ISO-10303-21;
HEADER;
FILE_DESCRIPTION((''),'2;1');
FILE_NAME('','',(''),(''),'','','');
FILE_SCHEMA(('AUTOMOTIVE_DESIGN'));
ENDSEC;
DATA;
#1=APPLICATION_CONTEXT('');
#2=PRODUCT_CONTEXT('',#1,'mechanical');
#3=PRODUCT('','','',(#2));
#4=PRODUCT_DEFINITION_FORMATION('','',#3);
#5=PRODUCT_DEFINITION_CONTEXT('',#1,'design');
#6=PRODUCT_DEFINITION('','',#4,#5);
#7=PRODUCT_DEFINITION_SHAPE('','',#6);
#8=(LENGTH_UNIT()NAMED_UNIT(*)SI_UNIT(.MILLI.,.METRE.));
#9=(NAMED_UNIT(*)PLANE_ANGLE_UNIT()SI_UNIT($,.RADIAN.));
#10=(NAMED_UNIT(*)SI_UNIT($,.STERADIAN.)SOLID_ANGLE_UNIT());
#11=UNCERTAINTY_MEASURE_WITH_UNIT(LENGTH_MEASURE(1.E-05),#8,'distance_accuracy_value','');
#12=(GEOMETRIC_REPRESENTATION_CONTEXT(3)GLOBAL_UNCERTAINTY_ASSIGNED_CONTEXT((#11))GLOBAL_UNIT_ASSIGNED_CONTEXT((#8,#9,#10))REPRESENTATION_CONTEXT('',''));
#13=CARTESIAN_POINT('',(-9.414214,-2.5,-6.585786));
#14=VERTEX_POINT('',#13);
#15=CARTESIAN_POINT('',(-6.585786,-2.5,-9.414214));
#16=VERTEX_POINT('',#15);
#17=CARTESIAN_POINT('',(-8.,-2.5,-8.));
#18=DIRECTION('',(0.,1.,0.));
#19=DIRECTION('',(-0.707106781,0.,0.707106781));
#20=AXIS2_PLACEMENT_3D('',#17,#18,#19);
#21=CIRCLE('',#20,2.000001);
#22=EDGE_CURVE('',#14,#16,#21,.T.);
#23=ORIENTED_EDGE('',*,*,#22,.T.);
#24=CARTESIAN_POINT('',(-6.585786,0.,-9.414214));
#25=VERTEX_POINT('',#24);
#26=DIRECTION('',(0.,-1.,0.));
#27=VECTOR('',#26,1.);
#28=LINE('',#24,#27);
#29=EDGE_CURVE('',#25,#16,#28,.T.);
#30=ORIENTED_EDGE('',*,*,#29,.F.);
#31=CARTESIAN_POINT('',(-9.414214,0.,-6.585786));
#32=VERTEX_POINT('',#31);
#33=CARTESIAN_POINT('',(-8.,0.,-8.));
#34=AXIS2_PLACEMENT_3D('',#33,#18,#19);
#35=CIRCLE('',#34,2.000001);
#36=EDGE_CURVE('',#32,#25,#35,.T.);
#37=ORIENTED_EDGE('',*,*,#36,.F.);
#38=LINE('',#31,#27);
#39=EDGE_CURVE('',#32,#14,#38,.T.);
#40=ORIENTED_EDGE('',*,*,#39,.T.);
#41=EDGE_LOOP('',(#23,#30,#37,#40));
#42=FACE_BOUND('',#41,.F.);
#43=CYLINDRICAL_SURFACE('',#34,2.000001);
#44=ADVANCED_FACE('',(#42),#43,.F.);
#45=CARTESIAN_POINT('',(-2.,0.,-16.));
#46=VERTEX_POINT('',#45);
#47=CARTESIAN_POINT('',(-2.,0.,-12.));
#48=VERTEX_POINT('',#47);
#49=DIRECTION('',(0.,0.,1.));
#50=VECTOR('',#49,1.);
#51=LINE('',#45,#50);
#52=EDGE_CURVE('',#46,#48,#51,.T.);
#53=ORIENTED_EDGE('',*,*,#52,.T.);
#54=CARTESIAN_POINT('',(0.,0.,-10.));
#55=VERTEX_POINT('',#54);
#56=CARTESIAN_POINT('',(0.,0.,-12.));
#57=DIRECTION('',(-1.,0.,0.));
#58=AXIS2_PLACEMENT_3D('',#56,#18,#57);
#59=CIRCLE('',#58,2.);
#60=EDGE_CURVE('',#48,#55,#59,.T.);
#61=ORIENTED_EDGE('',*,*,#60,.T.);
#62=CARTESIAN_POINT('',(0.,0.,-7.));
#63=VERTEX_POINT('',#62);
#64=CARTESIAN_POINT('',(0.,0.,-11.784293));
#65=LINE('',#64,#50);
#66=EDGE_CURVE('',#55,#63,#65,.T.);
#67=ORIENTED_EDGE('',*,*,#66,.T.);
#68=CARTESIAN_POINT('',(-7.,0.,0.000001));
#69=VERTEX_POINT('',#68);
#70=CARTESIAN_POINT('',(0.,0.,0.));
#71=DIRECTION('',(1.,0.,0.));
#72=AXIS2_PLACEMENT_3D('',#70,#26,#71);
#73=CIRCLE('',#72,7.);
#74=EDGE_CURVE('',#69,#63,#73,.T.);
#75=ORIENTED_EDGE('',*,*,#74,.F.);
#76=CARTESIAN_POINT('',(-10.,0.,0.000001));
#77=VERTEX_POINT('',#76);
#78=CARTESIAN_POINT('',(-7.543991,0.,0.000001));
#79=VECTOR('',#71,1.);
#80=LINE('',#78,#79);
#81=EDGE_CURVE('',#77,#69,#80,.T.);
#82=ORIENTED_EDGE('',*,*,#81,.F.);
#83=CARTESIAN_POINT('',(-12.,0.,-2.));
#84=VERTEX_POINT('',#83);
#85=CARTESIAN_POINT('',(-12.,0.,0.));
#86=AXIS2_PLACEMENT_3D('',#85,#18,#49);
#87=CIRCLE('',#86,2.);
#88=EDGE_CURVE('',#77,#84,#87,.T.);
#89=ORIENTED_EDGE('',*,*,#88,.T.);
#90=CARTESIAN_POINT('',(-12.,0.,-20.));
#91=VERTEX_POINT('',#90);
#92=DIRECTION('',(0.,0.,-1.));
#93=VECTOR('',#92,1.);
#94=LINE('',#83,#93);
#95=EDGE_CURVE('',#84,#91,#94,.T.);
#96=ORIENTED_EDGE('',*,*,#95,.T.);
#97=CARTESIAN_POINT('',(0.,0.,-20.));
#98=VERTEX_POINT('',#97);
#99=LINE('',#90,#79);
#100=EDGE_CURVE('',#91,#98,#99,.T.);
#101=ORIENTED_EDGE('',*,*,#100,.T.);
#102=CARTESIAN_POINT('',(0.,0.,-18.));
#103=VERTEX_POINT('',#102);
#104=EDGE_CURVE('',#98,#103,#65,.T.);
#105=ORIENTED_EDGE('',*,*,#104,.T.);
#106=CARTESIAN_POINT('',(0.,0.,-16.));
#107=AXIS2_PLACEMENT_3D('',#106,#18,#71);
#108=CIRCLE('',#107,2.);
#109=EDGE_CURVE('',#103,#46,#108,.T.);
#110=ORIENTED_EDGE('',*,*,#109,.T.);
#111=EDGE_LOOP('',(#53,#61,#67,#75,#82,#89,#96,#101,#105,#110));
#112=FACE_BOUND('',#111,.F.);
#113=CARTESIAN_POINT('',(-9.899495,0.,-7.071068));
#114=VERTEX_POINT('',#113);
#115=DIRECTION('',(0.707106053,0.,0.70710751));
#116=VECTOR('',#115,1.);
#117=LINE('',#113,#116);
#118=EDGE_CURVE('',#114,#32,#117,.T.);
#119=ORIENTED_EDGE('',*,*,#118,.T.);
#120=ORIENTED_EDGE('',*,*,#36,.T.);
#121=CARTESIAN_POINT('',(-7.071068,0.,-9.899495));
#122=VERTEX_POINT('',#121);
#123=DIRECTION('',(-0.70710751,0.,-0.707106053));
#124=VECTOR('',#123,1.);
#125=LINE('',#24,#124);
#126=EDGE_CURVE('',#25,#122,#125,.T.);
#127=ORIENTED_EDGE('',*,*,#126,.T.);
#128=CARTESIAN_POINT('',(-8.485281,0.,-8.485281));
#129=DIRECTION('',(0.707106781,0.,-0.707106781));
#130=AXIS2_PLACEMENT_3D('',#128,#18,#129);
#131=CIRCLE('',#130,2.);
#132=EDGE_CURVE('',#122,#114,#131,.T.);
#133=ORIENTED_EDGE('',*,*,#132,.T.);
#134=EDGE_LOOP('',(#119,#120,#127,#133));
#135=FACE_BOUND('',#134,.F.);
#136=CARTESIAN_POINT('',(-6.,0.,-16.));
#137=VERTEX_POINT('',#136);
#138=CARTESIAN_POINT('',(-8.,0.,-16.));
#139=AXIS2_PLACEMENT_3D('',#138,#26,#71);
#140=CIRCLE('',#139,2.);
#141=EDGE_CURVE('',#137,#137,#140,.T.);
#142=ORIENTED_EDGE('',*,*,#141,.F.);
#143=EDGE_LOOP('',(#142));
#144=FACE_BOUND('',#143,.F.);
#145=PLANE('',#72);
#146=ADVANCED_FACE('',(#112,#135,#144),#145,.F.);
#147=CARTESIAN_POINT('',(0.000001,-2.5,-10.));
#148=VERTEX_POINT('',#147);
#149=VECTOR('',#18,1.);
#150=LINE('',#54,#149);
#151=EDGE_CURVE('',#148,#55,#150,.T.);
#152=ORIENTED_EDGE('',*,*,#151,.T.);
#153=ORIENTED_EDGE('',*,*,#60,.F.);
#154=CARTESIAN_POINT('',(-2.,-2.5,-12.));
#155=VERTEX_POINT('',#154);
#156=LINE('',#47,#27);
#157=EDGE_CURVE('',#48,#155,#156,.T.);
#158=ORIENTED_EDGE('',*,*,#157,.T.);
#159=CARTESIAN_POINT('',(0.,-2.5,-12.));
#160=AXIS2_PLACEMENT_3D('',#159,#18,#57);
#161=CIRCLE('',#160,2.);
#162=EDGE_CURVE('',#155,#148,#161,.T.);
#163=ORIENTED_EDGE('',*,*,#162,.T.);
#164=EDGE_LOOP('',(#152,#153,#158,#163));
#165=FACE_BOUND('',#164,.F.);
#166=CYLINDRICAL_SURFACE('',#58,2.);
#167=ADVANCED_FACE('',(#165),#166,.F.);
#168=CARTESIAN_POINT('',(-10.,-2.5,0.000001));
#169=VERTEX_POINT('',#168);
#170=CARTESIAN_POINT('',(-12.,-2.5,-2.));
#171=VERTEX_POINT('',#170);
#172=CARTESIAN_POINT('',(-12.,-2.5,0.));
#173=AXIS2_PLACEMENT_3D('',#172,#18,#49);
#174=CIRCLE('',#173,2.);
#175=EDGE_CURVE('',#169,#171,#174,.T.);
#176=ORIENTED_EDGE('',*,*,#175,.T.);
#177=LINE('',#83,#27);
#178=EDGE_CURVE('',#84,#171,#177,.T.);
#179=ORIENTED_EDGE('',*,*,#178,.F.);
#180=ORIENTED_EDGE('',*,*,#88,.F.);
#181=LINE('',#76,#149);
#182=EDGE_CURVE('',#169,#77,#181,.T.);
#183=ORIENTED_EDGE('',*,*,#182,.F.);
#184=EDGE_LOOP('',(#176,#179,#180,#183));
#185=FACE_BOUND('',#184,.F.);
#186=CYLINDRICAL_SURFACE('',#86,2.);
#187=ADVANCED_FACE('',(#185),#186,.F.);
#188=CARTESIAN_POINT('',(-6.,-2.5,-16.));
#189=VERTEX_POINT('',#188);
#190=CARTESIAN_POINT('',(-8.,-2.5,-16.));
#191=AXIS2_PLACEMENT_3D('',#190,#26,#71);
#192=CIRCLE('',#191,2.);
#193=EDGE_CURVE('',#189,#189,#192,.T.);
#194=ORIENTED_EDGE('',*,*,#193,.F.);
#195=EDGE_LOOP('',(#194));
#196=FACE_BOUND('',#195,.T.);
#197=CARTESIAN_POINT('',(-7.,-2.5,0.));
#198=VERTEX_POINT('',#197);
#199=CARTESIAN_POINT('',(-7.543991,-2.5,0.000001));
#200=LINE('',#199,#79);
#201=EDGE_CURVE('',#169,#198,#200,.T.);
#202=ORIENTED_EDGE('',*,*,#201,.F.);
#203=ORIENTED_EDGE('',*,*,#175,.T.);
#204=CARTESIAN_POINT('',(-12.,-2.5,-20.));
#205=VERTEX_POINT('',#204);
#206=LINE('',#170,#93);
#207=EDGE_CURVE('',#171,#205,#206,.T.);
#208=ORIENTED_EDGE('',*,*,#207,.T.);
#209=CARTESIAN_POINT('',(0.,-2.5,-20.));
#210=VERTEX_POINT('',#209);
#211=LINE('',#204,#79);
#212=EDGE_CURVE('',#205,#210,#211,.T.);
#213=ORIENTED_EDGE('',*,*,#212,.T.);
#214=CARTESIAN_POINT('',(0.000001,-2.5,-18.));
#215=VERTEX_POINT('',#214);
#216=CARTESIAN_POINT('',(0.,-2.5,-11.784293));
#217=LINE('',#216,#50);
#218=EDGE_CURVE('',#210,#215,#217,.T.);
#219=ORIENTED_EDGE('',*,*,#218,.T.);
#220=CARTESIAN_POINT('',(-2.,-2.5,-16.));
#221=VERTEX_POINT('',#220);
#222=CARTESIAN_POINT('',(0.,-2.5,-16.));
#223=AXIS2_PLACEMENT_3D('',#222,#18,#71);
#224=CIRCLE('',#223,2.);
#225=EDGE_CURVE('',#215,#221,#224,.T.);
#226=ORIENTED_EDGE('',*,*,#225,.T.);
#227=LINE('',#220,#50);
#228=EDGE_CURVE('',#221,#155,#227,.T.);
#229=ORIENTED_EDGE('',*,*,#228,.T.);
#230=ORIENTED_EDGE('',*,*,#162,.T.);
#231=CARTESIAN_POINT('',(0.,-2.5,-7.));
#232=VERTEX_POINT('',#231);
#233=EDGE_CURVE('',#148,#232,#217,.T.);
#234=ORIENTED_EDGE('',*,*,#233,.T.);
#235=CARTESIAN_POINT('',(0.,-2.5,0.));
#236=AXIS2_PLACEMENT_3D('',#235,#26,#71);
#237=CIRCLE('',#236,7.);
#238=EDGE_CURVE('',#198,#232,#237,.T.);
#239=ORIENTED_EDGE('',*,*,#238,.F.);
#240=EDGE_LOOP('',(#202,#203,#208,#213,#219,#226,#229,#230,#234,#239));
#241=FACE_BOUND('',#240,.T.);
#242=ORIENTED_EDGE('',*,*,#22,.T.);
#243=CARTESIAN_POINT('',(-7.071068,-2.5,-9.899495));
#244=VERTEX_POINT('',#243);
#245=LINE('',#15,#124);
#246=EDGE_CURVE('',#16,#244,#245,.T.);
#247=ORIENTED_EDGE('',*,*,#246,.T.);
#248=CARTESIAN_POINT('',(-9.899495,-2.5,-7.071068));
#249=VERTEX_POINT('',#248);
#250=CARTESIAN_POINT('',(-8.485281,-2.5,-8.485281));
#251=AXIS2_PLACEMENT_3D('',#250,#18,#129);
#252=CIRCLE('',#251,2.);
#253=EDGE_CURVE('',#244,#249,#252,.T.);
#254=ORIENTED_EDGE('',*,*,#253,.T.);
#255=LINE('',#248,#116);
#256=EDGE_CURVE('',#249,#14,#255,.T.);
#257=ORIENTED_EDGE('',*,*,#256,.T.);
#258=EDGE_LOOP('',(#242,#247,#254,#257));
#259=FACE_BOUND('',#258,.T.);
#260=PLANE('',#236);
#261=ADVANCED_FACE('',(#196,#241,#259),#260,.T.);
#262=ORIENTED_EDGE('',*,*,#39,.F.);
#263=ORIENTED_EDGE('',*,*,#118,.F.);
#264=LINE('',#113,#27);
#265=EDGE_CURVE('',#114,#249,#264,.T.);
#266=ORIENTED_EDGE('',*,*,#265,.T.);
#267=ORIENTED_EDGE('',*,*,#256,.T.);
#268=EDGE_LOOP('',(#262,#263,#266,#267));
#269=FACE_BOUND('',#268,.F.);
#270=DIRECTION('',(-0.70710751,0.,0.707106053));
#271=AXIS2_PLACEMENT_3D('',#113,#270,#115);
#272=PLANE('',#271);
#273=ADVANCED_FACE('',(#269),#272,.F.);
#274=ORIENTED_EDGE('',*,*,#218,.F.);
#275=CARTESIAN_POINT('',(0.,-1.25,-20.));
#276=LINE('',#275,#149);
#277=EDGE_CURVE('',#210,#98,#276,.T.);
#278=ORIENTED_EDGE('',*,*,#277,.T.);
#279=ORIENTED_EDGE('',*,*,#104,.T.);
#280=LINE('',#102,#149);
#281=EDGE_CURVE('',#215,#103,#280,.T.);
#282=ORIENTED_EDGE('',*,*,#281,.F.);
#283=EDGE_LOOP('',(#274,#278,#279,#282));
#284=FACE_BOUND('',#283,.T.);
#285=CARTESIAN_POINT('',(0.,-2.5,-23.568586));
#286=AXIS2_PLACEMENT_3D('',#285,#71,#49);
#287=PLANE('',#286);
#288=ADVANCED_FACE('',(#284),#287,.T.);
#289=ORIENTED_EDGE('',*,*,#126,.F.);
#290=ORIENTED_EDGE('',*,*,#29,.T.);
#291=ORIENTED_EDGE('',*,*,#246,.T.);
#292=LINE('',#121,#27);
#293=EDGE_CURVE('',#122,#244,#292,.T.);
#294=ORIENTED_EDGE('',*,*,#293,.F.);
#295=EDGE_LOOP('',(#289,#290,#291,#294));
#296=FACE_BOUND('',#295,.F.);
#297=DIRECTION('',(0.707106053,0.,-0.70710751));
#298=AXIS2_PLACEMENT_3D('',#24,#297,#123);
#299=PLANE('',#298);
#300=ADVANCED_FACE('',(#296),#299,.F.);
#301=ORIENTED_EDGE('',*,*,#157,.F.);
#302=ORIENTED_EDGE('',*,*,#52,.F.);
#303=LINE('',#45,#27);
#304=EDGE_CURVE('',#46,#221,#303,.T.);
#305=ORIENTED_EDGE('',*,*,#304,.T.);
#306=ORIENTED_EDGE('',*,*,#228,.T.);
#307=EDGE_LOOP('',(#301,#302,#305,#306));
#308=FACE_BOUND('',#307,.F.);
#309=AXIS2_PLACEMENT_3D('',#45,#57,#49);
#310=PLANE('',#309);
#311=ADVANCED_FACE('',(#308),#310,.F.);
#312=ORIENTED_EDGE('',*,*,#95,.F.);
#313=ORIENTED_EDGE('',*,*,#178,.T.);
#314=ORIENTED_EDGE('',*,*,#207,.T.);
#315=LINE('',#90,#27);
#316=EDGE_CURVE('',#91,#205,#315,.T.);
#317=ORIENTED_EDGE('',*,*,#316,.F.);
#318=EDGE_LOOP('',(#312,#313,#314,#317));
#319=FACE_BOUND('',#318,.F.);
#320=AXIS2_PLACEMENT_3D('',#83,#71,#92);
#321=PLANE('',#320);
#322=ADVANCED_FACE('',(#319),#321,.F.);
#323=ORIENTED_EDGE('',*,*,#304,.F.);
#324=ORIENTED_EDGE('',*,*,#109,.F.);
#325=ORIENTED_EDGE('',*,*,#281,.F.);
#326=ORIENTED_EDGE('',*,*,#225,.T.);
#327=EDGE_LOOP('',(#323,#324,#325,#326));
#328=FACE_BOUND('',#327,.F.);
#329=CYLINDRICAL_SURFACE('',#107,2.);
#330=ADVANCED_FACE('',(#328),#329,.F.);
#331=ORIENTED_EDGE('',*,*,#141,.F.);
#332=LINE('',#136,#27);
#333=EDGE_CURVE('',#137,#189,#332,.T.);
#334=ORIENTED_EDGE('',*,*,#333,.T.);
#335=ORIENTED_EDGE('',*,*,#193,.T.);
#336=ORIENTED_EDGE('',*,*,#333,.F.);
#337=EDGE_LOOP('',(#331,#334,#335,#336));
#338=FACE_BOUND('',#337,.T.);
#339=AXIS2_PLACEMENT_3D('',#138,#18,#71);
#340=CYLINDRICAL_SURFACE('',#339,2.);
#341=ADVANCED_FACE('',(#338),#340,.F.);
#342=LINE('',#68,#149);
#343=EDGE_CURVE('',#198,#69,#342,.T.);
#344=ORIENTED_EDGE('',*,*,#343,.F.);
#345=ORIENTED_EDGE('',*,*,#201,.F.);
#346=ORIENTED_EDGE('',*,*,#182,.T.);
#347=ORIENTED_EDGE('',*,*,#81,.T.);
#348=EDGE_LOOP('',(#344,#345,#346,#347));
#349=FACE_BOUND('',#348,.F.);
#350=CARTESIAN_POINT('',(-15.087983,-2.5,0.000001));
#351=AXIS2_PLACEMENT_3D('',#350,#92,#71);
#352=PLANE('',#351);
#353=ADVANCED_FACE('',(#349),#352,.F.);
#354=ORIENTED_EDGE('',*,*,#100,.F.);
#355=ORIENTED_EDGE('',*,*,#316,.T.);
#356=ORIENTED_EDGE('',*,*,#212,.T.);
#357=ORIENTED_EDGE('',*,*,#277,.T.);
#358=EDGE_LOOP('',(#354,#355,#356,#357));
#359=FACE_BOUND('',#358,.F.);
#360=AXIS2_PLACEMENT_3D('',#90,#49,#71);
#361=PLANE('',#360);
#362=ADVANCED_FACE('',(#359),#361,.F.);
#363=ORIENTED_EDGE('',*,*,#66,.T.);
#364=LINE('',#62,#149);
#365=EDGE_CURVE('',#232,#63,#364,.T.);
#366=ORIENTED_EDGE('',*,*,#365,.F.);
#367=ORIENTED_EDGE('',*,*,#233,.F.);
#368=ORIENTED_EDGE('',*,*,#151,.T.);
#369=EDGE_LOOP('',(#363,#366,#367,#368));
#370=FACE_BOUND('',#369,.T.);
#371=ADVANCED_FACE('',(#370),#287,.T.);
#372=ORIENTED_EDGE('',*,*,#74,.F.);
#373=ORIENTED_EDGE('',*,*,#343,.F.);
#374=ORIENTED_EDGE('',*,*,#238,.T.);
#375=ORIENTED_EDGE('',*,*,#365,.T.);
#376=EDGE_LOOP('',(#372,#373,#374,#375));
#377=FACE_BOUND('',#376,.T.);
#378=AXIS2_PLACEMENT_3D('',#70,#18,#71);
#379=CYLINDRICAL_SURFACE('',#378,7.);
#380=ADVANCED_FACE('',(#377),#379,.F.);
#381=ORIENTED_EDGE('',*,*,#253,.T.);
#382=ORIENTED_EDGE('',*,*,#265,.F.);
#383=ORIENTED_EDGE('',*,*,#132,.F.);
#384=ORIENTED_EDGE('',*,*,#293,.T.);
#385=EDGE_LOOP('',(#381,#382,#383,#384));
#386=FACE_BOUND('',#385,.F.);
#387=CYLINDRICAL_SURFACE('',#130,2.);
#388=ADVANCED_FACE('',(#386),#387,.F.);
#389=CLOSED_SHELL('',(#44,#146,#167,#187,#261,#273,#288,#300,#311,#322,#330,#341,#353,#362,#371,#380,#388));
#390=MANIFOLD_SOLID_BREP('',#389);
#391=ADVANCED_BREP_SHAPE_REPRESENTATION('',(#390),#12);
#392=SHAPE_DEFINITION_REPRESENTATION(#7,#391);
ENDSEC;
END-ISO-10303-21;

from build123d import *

# Parameters (mm, degrees)
F0_R     = 2
F0_R_2   = 7
F1_DEPTH = 2.5
F2_W     = 15.087983
F2_H     = 23.568587
F3_DEPTH = 25


with BuildPart() as f1:
    # F0 (on Front) → F1 (new body)
    with BuildSketch(Plane.XZ):
        with BuildLine():
            ThreePointArc((-12, 2), (-10, 0), (-12, -2))
            Line((-12, -2), (-12, -20))
            Line((-12, -20), (12, -20))
            Line((12, -20), (12, -2))
            ThreePointArc((12, -2), (10, 0), (12, 2))
            Line((12, 2), (12, 20))
            Line((12, 20), (-12, 20))
            Line((-12, 20), (-12, 2))
        make_face()
        with Locations((-8, -16)):
            Circle(F0_R, mode=Mode.SUBTRACT)
        with BuildLine():
            Line((-6.585786, -9.414214), (-7.071068, -9.899495))
            ThreePointArc((-7.071068, -9.899495), (-9.899495, -9.899495), (-9.899495, -7.071068))
            Line((-9.899495, -7.071068), (-9.414214, -6.585786))
            ThreePointArc((-9.414214, -6.585786), (-6.585786, -6.585786), (-6.585786, -9.414214))
        make_face(mode=Mode.SUBTRACT)
        with BuildLine():
            ThreePointArc((-2, -12), (0, -10), (2, -12))
            Line((2, -12), (2, -16))
            ThreePointArc((2, -16), (0, -18), (-2, -16))
            Line((-2, -16), (-2, -12))
        make_face(mode=Mode.SUBTRACT)
        with Locations((8, -16)):
            Circle(F0_R, mode=Mode.SUBTRACT)
        with BuildLine():
            Line((9.414214, -6.585786), (9.899495, -7.071068))
            ThreePointArc((9.899495, -7.071068), (9.899495, -9.899495), (7.071068, -9.899495))
            Line((7.071068, -9.899495), (6.585786, -9.414214))
            ThreePointArc((6.585786, -9.414214), (6.585786, -6.585786), (9.414214, -6.585786))
        make_face(mode=Mode.SUBTRACT)
        with BuildLine():
            ThreePointArc((-9.899495, 7.071068), (-9.899495, 9.899495), (-7.071068, 9.899495))
            Line((-7.071068, 9.899495), (-6.585786, 9.414214))
            ThreePointArc((-6.585786, 9.414214), (-6.585786, 6.585786), (-9.414214, 6.585786))
            Line((-9.414214, 6.585786), (-9.899495, 7.071068))
        make_face(mode=Mode.SUBTRACT)
        with Locations((-8, 16)):
            Circle(F0_R, mode=Mode.SUBTRACT)
        Circle(F0_R_2, mode=Mode.SUBTRACT)
        with BuildLine():
            Line((6.585786, 9.414214), (7.071068, 9.899495))
            ThreePointArc((7.071068, 9.899495), (9.899495, 9.899495), (9.899495, 7.071068))
            Line((9.899495, 7.071068), (9.414214, 6.585786))
            ThreePointArc((9.414214, 6.585786), (6.585786, 6.585786), (6.585786, 9.414214))
        make_face(mode=Mode.SUBTRACT)
        with BuildLine():
            ThreePointArc((2, 12), (0, 10), (-2, 12))
            Line((-2, 12), (-2, 16))
            ThreePointArc((-2, 16), (0, 18), (2, 16))
            Line((2, 16), (2, 12))
        make_face(mode=Mode.SUBTRACT)
        with Locations((8, 16)):
            Circle(F0_R, mode=Mode.SUBTRACT)
    extrude(amount=F1_DEPTH)

    # F2 (on face) → F3 (intersect)
    with BuildSketch(Plane.XZ.offset(2.5)):
        with Locations((-7.543991, -11.784293)):
            Rectangle(F2_W, F2_H)
    extrude(amount=-F3_DEPTH, mode=Mode.INTERSECT)


solid = f1.part
